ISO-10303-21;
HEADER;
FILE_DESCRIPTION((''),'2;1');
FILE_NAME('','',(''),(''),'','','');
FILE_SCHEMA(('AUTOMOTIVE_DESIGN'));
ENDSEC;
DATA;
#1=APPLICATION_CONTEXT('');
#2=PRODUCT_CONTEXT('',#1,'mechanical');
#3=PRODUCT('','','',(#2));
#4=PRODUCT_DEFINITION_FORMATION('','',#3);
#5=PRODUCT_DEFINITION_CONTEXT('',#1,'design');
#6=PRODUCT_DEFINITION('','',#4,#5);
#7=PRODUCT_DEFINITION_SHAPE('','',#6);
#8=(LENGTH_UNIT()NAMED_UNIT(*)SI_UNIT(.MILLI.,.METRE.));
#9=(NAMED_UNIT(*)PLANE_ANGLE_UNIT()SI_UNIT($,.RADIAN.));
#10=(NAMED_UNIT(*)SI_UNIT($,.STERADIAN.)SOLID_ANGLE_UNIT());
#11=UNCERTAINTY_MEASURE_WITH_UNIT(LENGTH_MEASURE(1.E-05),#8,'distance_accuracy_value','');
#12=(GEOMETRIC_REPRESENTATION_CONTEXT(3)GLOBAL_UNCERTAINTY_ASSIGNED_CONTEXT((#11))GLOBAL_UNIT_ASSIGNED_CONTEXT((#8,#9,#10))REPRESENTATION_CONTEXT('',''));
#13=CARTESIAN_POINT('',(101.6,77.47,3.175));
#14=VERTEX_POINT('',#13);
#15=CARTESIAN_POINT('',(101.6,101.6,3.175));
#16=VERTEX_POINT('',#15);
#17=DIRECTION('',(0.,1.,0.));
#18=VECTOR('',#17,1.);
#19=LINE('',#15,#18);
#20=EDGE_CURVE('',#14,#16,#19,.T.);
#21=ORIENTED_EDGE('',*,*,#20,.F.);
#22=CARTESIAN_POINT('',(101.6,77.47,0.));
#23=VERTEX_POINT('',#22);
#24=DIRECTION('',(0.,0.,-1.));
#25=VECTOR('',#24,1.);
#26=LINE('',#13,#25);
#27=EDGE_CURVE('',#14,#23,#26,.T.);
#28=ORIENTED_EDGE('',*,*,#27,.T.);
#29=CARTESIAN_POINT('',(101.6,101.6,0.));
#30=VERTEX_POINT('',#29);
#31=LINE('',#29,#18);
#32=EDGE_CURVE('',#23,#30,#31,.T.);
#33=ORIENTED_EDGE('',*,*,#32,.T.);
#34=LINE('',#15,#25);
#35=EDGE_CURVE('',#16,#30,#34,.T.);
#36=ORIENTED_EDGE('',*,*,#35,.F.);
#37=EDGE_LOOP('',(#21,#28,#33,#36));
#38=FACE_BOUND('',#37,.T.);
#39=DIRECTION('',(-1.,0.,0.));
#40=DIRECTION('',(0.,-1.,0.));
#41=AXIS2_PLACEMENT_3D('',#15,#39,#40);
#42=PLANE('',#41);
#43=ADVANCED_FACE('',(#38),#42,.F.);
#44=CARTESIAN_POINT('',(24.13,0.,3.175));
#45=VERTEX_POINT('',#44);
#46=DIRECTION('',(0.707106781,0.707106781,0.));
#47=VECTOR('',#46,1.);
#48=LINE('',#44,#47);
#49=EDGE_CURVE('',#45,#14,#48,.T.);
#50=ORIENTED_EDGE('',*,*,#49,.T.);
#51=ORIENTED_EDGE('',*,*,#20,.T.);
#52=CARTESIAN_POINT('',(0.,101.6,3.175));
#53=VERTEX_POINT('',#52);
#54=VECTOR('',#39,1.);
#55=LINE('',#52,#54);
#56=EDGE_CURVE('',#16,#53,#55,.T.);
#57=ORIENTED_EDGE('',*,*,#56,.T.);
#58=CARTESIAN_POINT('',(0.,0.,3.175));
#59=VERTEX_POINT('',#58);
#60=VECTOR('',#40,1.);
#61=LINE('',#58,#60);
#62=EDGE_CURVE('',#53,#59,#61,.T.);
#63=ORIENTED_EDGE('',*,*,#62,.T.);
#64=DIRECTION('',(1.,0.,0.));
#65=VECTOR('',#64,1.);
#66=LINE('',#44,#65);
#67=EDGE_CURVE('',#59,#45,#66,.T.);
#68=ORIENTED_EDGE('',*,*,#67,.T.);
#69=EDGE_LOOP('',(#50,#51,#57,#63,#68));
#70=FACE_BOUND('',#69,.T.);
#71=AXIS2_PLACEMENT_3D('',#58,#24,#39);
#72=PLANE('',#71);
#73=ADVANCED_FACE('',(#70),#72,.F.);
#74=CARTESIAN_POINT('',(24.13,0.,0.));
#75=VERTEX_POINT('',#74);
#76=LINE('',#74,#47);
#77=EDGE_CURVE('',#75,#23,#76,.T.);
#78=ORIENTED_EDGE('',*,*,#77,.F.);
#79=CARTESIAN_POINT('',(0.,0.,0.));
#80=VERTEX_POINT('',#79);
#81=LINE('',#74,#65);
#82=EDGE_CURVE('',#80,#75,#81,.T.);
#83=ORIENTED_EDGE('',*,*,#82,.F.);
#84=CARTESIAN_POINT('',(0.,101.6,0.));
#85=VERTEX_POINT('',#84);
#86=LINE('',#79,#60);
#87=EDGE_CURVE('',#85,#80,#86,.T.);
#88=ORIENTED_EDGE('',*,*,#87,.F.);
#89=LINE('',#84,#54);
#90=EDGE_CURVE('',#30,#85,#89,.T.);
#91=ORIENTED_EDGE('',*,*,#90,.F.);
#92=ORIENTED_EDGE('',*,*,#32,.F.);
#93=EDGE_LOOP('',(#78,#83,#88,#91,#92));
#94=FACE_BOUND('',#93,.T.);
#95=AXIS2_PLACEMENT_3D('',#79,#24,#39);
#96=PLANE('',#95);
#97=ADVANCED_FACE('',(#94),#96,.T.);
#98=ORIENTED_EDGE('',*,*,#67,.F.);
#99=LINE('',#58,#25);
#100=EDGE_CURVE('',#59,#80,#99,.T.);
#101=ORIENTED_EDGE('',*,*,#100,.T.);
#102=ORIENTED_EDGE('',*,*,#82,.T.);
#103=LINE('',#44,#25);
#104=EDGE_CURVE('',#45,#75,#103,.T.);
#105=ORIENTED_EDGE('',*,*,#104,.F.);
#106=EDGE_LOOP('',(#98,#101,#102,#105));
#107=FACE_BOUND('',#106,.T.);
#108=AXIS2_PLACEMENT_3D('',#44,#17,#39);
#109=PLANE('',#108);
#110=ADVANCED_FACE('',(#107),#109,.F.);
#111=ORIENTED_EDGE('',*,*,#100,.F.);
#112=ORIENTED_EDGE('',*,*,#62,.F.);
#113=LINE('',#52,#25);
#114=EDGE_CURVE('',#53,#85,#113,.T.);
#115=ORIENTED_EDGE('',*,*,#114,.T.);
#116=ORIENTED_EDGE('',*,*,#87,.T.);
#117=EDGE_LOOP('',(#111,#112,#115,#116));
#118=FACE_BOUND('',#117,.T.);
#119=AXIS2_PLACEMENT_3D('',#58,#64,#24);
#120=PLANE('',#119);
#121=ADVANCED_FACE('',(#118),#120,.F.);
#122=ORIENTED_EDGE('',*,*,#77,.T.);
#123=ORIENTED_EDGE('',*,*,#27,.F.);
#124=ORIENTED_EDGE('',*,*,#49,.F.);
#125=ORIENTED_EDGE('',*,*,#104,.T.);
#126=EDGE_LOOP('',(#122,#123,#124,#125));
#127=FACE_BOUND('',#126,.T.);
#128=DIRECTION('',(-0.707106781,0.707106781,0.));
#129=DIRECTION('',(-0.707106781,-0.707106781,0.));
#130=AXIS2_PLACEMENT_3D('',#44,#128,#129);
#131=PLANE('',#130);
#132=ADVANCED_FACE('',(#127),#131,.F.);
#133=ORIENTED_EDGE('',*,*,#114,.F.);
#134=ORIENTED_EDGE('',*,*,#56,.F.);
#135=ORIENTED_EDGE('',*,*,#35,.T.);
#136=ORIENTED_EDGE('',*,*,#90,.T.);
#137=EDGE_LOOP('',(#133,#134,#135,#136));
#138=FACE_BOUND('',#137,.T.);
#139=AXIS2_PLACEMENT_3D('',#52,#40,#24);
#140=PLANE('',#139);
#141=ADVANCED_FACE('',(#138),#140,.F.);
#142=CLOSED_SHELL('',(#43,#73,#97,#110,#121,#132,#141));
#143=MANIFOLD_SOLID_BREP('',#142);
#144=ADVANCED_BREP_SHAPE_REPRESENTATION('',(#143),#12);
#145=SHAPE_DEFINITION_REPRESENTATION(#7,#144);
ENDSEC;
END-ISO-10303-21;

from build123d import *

# Parameters (mm, degrees)
BOSS_EXTRUDE1_DEPTH = 3.175


with BuildPart() as part:
    # Sketch1 → Boss-Extrude1 (new body)
    with BuildSketch(Plane.XY):
        Polygon((0, 0), (0, 101.6), (101.6, 101.6), (101.6, 77.47), (24.13, 0), align=None)
    extrude(amount=BOSS_EXTRUDE1_DEPTH)


solid = part.part
